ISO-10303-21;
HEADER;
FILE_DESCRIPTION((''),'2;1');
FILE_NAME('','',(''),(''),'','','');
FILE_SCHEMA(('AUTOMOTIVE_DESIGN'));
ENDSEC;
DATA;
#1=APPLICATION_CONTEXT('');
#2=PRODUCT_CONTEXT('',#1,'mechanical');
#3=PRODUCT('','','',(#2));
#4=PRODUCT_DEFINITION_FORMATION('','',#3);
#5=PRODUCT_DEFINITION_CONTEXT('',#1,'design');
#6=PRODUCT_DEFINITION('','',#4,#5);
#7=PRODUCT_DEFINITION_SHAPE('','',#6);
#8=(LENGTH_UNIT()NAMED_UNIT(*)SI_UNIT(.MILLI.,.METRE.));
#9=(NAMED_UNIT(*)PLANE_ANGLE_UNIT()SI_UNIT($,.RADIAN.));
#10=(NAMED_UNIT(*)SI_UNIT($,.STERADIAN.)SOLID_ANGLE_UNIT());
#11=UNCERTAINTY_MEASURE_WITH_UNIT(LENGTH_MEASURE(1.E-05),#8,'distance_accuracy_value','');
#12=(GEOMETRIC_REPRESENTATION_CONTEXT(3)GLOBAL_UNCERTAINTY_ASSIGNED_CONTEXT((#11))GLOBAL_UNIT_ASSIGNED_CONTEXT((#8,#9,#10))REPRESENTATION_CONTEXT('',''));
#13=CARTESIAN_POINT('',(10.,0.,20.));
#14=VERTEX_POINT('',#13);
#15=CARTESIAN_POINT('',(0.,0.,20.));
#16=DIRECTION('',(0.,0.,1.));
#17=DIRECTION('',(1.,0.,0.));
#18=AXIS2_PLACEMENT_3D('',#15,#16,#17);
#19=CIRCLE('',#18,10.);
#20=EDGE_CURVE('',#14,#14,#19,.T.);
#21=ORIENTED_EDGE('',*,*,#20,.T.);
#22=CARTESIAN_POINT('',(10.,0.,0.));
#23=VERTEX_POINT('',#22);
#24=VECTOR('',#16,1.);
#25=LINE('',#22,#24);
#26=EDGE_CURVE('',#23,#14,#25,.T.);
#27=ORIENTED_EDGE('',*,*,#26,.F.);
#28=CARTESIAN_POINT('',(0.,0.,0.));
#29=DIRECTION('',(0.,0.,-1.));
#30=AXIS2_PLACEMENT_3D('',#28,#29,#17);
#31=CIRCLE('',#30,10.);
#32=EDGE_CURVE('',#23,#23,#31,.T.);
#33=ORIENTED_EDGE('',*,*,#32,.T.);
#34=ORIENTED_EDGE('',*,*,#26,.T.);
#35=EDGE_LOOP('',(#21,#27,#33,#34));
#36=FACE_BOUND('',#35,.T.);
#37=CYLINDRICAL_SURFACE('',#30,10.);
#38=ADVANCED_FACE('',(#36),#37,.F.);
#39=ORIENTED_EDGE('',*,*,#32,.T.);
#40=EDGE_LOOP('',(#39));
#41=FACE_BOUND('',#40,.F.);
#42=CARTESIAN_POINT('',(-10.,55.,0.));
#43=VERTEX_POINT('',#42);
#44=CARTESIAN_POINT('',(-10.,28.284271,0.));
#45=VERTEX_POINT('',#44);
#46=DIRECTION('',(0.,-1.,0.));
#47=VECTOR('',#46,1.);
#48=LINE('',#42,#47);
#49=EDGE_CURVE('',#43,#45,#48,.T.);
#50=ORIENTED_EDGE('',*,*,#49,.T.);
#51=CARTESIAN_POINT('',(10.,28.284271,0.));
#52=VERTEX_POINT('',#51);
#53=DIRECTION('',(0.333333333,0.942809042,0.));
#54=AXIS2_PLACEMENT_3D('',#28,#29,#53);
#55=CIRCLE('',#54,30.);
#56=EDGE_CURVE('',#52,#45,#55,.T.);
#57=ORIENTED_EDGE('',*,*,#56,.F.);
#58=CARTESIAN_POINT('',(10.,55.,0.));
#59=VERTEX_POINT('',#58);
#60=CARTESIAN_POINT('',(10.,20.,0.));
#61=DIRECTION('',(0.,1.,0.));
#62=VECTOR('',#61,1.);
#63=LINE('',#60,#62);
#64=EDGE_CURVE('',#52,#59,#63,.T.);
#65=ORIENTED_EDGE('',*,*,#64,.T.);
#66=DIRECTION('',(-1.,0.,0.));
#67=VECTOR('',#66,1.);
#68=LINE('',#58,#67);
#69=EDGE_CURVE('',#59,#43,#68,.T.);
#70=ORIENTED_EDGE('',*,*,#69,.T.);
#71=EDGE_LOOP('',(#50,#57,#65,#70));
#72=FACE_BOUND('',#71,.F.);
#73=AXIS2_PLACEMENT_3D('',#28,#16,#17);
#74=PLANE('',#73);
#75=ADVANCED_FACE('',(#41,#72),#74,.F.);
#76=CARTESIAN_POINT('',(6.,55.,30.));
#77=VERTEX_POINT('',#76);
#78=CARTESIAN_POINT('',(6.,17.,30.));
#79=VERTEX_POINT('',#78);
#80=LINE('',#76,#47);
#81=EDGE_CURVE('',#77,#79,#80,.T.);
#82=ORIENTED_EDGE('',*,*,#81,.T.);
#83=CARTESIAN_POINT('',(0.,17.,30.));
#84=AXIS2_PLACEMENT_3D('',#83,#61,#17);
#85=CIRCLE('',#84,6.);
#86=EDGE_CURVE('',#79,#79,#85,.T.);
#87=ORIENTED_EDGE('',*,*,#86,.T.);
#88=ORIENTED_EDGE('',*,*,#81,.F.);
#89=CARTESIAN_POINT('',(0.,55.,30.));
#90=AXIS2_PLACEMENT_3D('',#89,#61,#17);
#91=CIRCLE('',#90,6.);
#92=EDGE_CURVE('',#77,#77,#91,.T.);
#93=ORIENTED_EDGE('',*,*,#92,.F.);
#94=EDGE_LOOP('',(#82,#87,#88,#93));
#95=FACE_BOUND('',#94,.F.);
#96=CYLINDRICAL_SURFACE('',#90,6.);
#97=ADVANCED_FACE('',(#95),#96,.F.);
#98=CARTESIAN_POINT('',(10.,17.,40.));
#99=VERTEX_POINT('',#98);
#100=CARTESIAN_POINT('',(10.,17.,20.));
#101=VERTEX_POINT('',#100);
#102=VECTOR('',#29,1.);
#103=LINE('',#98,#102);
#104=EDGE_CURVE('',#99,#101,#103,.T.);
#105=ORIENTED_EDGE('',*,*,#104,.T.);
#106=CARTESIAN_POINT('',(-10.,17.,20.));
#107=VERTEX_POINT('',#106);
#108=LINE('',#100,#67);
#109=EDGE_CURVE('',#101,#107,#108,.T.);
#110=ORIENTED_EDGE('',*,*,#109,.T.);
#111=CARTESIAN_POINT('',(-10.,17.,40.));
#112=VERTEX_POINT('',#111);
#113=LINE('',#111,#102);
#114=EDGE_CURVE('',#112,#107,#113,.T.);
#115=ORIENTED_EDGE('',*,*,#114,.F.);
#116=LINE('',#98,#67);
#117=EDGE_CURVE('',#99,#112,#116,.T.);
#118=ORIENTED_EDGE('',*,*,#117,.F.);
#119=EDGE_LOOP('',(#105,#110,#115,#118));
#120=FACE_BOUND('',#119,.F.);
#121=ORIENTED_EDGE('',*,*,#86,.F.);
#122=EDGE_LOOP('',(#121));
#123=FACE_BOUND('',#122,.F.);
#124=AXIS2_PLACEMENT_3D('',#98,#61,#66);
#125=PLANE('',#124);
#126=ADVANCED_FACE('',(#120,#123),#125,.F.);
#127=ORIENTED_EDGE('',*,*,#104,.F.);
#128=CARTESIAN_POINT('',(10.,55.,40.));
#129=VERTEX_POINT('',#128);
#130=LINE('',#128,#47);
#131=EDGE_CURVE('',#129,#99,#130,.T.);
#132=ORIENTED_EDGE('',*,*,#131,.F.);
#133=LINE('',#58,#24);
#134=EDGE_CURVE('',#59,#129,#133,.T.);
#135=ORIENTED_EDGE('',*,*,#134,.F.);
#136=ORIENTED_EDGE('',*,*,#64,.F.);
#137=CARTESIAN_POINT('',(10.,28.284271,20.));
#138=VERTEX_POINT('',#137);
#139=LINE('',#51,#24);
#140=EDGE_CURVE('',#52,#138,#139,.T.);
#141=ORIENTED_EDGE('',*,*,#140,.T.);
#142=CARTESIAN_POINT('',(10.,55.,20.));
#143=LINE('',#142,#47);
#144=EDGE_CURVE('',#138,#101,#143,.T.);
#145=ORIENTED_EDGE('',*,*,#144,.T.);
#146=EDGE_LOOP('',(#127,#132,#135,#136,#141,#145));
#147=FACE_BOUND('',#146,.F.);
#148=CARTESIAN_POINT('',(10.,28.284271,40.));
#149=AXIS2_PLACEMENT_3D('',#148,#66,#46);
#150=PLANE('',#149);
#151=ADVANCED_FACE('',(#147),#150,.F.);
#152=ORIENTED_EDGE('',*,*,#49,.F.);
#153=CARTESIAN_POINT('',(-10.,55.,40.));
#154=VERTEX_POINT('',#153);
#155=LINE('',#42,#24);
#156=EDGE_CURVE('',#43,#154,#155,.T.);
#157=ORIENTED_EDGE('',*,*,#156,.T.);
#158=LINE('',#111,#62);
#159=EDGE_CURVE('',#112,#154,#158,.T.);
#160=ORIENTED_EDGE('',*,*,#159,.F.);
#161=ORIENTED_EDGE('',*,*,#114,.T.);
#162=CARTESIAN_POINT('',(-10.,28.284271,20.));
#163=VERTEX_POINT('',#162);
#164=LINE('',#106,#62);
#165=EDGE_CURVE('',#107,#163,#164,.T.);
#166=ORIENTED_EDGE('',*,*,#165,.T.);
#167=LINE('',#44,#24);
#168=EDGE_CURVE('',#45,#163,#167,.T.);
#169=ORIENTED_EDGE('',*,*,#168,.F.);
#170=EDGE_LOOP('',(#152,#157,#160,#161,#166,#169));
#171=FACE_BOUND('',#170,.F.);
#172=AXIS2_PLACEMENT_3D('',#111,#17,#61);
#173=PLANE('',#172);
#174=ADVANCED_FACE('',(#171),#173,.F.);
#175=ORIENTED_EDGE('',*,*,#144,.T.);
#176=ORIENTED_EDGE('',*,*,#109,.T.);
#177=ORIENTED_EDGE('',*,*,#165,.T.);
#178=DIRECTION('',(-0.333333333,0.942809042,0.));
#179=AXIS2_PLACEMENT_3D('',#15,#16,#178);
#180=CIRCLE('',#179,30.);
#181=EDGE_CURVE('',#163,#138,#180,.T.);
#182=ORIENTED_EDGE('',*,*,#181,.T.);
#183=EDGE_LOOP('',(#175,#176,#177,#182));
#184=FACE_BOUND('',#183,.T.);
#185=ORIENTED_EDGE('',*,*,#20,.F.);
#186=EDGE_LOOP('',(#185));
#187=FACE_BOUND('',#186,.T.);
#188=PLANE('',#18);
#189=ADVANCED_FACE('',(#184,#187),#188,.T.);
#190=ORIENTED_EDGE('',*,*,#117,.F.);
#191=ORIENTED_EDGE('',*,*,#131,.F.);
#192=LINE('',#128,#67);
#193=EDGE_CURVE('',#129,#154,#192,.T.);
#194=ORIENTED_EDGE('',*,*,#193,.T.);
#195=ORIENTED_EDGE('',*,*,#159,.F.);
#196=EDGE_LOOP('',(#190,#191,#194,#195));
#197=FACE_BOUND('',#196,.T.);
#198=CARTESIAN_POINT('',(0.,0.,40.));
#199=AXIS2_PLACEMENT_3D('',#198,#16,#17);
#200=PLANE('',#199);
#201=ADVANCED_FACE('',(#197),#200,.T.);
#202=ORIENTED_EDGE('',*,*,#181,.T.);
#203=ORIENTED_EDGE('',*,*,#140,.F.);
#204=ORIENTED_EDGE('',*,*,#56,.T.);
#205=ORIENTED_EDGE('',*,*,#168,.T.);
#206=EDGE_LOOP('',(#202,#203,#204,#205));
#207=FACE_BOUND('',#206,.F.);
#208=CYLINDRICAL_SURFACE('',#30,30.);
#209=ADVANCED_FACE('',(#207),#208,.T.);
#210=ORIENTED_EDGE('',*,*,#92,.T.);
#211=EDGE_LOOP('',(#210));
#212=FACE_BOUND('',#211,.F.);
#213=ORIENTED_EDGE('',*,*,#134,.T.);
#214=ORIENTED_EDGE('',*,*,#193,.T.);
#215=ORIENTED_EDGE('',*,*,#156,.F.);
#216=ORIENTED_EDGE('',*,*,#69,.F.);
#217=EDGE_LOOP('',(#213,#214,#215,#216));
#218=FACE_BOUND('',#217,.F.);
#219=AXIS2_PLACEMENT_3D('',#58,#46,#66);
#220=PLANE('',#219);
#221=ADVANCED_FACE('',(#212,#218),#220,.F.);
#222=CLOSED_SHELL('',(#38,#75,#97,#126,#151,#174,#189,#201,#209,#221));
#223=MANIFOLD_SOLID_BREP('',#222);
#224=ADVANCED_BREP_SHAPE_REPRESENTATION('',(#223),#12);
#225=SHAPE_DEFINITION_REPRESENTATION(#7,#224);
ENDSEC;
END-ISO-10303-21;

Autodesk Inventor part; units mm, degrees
ref_plane "YZ Plane" through (0, 0, 0) normal (1, 0, 0) x (0, 1, 0)
ref_plane "XZ Plane" through (0, 0, 0) normal (0, 1, 0) x (-1, 0, 0)
ref_plane "XY Plane" through (0, 0, 0) normal (0, 0, 1) x (1, 0, 0)
sketch "Sketch1" plane through (0, 0, 0) normal (0, 0, 1) x (1, 0, 0)
  circle A0 centre (0, 0) radius 30
  circle A1 centre (0, 0) radius 10
  line L0 (-30, 0) -> (30, 0)
  line L1 (30, 0) -> (30, 20)
  line L2 (30, 20) -> (-30, 20)
  line L3 (-30, 20) -> (-30, 0)
  line L4 (-10, 20) -> (10, 20)
  line L5 (10, 20) -> (10, 55)
  line L6 (10, 55) -> (-10, 55)
  line L7 (-10, 55) -> (-10, 20)
  point P0 (10, 28.2843)
  point P1 (-10, 28.2843)
  dimension "d0" = 60
  dimension "d1" = 20
  dimension "d2" = 20
  dimension "d3" = 20
  dimension "d4" = 35
extrude "Extrusion1" add sketch "Sketch1" along normal blind 40 contours L0 A1 A0 | A0 L2 L0 A1 | A0 L7 L2 | L2 L5 A0 | L7 L6 L5 A0 | A0 L5 L2 L7
sketch "Sketch2" plane through (0, 0, 40) normal (0, 0, 1) x (1, 0, 0)
  circle A0 centre (0, 0) radius 30
  line L0 (10, 55) -> (-10, 55) projected
  line L1 (-10, 55) -> (10, 55)
  line L2 (10, 55) -> (10, 17)
  line L3 (10, 17) -> (-10, 17)
  line L4 (-10, 17) -> (-10, 55)
  circle A1 centre (0, 0) radius 10
  point P0 (-10, 28.2843)
  point P1 (10, 28.2843)
  dimension "d7" = 38
extrude "Extrusion2" cut sketch "Sketch2" against normal blind 20 contours A0 L4 L3 L2 picked at (15.0969, 11.943)
sketch "Sketch3" plane through (-10, 55, 0) normal (0, 1, 0) x (1, 0, 0)
  circle A0 centre (10, -30) radius 6
  point P0 (10, 0)
  dimension "d10" = 12
extrude "Extrusion3" cut sketch "Sketch3" against normal blind 40.325
properties part number "End motor link"
